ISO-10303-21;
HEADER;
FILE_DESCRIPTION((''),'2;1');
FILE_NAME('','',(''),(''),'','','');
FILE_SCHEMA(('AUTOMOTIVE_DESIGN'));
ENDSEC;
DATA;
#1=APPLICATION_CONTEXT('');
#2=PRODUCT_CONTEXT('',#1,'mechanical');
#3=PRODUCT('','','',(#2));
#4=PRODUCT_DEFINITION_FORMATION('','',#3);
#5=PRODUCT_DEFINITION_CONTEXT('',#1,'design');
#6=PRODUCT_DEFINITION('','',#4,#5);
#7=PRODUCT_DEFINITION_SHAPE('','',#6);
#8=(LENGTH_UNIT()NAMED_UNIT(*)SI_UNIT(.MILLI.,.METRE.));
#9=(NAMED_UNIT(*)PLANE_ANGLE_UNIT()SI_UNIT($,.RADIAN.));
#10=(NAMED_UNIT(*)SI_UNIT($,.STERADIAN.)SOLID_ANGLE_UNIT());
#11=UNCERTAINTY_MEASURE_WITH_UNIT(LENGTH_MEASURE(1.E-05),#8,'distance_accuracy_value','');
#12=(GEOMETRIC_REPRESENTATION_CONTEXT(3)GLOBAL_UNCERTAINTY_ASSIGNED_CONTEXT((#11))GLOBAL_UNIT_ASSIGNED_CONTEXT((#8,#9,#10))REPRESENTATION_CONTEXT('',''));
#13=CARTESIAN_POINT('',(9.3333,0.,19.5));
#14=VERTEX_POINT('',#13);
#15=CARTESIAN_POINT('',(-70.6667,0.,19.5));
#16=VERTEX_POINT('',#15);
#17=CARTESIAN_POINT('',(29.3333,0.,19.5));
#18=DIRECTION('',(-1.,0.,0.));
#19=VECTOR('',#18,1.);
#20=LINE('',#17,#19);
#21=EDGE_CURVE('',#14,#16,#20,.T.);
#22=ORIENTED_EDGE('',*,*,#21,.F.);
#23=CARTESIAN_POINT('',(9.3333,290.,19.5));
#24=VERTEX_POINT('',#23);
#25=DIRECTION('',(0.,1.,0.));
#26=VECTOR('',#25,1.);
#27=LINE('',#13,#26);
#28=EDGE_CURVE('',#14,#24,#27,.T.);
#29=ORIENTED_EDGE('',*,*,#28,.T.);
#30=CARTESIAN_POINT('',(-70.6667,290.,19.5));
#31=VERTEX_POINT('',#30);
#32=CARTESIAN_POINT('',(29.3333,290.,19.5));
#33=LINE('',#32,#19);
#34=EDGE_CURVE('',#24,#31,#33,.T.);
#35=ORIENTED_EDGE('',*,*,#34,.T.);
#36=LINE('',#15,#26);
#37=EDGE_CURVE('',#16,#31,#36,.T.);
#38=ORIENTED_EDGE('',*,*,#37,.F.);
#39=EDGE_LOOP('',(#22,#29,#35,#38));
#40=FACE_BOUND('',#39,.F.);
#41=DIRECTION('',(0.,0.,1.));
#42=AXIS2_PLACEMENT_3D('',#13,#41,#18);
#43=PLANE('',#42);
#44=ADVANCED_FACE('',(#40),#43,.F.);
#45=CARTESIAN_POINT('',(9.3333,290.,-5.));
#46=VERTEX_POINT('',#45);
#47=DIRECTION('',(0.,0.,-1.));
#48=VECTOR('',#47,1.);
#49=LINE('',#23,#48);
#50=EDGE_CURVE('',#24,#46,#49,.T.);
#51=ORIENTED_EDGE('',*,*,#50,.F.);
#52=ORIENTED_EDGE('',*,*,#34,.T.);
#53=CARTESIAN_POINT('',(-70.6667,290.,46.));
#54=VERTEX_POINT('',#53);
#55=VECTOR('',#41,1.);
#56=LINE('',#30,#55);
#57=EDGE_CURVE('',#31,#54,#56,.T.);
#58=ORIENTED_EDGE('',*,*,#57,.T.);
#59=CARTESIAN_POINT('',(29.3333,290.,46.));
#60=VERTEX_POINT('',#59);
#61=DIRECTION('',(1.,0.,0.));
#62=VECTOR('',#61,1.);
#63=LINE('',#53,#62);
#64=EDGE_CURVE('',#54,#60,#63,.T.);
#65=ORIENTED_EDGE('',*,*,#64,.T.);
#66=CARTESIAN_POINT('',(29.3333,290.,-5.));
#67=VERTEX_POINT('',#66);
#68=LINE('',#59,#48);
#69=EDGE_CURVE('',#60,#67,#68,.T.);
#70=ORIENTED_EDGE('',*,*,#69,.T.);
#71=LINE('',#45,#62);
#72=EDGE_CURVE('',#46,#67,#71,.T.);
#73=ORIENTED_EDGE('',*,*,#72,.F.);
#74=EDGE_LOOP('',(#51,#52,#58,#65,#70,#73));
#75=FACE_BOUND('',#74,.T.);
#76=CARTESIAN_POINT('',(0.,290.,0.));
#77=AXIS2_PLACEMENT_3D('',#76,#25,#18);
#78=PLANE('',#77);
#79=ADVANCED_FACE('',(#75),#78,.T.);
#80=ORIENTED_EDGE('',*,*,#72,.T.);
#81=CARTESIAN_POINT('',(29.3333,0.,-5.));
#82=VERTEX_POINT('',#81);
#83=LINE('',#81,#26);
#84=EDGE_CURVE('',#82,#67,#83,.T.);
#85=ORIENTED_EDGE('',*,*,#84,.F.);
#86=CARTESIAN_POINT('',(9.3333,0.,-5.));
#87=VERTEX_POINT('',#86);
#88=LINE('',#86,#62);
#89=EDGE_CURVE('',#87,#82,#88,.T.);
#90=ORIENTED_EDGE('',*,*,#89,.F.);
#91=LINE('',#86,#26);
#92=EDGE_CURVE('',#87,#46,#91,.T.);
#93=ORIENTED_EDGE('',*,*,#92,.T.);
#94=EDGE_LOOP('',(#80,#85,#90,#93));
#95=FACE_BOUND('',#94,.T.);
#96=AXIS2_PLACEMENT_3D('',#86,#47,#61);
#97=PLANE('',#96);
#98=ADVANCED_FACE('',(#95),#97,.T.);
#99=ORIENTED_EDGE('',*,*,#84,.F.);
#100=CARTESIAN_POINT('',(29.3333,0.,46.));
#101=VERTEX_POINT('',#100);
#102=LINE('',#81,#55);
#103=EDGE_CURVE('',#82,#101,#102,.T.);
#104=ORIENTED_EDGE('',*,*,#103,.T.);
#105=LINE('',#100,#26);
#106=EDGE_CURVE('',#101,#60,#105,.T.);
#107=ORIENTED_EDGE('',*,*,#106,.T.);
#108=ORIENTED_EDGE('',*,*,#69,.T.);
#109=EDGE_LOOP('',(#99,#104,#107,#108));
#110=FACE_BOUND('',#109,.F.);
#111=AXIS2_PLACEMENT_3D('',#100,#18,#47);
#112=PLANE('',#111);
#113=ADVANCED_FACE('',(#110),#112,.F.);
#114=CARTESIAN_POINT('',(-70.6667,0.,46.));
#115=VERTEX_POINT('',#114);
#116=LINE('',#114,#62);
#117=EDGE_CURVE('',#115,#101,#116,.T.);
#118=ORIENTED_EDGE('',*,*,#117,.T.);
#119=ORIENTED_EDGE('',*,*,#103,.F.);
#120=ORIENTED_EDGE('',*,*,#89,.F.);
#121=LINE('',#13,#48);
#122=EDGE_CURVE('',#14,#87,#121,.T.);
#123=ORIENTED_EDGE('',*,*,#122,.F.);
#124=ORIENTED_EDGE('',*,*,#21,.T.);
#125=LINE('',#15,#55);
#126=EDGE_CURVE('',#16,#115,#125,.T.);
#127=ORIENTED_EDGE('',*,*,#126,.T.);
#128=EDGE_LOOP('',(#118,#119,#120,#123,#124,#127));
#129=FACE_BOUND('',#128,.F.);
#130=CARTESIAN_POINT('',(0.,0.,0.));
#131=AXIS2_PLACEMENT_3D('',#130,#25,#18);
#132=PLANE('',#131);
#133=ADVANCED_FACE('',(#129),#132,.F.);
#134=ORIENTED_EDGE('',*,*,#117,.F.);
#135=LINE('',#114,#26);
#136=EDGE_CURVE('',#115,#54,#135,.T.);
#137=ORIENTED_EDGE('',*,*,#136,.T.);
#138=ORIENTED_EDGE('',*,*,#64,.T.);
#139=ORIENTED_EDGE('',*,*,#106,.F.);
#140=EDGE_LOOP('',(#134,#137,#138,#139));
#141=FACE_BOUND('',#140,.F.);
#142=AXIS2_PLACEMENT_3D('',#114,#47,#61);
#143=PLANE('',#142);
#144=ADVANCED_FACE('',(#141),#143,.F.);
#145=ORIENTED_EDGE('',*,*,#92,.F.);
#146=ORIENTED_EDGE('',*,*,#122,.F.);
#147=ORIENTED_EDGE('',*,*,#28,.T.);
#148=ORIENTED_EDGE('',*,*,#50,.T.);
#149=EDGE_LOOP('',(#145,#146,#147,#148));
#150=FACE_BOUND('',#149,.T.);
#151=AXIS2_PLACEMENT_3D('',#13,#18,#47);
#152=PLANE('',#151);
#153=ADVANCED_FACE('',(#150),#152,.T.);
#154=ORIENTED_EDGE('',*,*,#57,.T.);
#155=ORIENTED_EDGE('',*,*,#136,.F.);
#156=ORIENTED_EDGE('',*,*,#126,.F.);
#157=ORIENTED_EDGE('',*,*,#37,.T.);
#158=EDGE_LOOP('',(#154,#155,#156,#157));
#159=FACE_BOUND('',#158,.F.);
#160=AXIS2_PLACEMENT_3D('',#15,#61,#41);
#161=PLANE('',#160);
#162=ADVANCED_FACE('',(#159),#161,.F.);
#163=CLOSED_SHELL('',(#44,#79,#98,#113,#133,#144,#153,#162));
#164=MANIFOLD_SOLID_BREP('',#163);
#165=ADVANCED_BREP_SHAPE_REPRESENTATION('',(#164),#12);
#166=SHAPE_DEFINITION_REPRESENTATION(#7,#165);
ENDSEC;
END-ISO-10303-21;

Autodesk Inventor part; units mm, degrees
ref_plane "YZ Plane" through (0, 0, 0) normal (1, 0, 0) x (0, 1, 0)
ref_plane "XZ Plane" through (0, 0, 0) normal (0, 1, 0) x (-1, 0, 0)
ref_plane "XY Plane" through (0, 0, 0) normal (0, 0, 1) x (1, 0, 0)
sketch "Эскиз1" plane through (0, 0, 0) normal (0, 1, 0) x (-1, 0, 0)
  line L0 (70.6667, 46) -> (-29.3333, 46)
  line L1 (-29.3333, 46) -> (-29.3333, 19.5)
  line L2 (-29.3333, 19.5) -> (70.6667, 19.5)
  line L3 (70.6667, 19.5) -> (70.6667, 46)
  line L4 (-29.3333, 19.5) -> (-9.3333, 19.5)
  line L5 (-9.3333, 19.5) -> (-9.3333, -5)
  line L6 (-9.3333, -5) -> (-29.3333, -5)
  line L7 (-29.3333, -5) -> (-29.3333, 19.5)
  point P0 (0, 0)
  dimension "d0" = 26.5
  dimension "d1" = 100
  dimension "d2" = 20
  dimension "d5" = 51
extrude "Выдавливание1" add sketch "Эскиз1" along normal blind 290
properties part number "MegaUgolok"
